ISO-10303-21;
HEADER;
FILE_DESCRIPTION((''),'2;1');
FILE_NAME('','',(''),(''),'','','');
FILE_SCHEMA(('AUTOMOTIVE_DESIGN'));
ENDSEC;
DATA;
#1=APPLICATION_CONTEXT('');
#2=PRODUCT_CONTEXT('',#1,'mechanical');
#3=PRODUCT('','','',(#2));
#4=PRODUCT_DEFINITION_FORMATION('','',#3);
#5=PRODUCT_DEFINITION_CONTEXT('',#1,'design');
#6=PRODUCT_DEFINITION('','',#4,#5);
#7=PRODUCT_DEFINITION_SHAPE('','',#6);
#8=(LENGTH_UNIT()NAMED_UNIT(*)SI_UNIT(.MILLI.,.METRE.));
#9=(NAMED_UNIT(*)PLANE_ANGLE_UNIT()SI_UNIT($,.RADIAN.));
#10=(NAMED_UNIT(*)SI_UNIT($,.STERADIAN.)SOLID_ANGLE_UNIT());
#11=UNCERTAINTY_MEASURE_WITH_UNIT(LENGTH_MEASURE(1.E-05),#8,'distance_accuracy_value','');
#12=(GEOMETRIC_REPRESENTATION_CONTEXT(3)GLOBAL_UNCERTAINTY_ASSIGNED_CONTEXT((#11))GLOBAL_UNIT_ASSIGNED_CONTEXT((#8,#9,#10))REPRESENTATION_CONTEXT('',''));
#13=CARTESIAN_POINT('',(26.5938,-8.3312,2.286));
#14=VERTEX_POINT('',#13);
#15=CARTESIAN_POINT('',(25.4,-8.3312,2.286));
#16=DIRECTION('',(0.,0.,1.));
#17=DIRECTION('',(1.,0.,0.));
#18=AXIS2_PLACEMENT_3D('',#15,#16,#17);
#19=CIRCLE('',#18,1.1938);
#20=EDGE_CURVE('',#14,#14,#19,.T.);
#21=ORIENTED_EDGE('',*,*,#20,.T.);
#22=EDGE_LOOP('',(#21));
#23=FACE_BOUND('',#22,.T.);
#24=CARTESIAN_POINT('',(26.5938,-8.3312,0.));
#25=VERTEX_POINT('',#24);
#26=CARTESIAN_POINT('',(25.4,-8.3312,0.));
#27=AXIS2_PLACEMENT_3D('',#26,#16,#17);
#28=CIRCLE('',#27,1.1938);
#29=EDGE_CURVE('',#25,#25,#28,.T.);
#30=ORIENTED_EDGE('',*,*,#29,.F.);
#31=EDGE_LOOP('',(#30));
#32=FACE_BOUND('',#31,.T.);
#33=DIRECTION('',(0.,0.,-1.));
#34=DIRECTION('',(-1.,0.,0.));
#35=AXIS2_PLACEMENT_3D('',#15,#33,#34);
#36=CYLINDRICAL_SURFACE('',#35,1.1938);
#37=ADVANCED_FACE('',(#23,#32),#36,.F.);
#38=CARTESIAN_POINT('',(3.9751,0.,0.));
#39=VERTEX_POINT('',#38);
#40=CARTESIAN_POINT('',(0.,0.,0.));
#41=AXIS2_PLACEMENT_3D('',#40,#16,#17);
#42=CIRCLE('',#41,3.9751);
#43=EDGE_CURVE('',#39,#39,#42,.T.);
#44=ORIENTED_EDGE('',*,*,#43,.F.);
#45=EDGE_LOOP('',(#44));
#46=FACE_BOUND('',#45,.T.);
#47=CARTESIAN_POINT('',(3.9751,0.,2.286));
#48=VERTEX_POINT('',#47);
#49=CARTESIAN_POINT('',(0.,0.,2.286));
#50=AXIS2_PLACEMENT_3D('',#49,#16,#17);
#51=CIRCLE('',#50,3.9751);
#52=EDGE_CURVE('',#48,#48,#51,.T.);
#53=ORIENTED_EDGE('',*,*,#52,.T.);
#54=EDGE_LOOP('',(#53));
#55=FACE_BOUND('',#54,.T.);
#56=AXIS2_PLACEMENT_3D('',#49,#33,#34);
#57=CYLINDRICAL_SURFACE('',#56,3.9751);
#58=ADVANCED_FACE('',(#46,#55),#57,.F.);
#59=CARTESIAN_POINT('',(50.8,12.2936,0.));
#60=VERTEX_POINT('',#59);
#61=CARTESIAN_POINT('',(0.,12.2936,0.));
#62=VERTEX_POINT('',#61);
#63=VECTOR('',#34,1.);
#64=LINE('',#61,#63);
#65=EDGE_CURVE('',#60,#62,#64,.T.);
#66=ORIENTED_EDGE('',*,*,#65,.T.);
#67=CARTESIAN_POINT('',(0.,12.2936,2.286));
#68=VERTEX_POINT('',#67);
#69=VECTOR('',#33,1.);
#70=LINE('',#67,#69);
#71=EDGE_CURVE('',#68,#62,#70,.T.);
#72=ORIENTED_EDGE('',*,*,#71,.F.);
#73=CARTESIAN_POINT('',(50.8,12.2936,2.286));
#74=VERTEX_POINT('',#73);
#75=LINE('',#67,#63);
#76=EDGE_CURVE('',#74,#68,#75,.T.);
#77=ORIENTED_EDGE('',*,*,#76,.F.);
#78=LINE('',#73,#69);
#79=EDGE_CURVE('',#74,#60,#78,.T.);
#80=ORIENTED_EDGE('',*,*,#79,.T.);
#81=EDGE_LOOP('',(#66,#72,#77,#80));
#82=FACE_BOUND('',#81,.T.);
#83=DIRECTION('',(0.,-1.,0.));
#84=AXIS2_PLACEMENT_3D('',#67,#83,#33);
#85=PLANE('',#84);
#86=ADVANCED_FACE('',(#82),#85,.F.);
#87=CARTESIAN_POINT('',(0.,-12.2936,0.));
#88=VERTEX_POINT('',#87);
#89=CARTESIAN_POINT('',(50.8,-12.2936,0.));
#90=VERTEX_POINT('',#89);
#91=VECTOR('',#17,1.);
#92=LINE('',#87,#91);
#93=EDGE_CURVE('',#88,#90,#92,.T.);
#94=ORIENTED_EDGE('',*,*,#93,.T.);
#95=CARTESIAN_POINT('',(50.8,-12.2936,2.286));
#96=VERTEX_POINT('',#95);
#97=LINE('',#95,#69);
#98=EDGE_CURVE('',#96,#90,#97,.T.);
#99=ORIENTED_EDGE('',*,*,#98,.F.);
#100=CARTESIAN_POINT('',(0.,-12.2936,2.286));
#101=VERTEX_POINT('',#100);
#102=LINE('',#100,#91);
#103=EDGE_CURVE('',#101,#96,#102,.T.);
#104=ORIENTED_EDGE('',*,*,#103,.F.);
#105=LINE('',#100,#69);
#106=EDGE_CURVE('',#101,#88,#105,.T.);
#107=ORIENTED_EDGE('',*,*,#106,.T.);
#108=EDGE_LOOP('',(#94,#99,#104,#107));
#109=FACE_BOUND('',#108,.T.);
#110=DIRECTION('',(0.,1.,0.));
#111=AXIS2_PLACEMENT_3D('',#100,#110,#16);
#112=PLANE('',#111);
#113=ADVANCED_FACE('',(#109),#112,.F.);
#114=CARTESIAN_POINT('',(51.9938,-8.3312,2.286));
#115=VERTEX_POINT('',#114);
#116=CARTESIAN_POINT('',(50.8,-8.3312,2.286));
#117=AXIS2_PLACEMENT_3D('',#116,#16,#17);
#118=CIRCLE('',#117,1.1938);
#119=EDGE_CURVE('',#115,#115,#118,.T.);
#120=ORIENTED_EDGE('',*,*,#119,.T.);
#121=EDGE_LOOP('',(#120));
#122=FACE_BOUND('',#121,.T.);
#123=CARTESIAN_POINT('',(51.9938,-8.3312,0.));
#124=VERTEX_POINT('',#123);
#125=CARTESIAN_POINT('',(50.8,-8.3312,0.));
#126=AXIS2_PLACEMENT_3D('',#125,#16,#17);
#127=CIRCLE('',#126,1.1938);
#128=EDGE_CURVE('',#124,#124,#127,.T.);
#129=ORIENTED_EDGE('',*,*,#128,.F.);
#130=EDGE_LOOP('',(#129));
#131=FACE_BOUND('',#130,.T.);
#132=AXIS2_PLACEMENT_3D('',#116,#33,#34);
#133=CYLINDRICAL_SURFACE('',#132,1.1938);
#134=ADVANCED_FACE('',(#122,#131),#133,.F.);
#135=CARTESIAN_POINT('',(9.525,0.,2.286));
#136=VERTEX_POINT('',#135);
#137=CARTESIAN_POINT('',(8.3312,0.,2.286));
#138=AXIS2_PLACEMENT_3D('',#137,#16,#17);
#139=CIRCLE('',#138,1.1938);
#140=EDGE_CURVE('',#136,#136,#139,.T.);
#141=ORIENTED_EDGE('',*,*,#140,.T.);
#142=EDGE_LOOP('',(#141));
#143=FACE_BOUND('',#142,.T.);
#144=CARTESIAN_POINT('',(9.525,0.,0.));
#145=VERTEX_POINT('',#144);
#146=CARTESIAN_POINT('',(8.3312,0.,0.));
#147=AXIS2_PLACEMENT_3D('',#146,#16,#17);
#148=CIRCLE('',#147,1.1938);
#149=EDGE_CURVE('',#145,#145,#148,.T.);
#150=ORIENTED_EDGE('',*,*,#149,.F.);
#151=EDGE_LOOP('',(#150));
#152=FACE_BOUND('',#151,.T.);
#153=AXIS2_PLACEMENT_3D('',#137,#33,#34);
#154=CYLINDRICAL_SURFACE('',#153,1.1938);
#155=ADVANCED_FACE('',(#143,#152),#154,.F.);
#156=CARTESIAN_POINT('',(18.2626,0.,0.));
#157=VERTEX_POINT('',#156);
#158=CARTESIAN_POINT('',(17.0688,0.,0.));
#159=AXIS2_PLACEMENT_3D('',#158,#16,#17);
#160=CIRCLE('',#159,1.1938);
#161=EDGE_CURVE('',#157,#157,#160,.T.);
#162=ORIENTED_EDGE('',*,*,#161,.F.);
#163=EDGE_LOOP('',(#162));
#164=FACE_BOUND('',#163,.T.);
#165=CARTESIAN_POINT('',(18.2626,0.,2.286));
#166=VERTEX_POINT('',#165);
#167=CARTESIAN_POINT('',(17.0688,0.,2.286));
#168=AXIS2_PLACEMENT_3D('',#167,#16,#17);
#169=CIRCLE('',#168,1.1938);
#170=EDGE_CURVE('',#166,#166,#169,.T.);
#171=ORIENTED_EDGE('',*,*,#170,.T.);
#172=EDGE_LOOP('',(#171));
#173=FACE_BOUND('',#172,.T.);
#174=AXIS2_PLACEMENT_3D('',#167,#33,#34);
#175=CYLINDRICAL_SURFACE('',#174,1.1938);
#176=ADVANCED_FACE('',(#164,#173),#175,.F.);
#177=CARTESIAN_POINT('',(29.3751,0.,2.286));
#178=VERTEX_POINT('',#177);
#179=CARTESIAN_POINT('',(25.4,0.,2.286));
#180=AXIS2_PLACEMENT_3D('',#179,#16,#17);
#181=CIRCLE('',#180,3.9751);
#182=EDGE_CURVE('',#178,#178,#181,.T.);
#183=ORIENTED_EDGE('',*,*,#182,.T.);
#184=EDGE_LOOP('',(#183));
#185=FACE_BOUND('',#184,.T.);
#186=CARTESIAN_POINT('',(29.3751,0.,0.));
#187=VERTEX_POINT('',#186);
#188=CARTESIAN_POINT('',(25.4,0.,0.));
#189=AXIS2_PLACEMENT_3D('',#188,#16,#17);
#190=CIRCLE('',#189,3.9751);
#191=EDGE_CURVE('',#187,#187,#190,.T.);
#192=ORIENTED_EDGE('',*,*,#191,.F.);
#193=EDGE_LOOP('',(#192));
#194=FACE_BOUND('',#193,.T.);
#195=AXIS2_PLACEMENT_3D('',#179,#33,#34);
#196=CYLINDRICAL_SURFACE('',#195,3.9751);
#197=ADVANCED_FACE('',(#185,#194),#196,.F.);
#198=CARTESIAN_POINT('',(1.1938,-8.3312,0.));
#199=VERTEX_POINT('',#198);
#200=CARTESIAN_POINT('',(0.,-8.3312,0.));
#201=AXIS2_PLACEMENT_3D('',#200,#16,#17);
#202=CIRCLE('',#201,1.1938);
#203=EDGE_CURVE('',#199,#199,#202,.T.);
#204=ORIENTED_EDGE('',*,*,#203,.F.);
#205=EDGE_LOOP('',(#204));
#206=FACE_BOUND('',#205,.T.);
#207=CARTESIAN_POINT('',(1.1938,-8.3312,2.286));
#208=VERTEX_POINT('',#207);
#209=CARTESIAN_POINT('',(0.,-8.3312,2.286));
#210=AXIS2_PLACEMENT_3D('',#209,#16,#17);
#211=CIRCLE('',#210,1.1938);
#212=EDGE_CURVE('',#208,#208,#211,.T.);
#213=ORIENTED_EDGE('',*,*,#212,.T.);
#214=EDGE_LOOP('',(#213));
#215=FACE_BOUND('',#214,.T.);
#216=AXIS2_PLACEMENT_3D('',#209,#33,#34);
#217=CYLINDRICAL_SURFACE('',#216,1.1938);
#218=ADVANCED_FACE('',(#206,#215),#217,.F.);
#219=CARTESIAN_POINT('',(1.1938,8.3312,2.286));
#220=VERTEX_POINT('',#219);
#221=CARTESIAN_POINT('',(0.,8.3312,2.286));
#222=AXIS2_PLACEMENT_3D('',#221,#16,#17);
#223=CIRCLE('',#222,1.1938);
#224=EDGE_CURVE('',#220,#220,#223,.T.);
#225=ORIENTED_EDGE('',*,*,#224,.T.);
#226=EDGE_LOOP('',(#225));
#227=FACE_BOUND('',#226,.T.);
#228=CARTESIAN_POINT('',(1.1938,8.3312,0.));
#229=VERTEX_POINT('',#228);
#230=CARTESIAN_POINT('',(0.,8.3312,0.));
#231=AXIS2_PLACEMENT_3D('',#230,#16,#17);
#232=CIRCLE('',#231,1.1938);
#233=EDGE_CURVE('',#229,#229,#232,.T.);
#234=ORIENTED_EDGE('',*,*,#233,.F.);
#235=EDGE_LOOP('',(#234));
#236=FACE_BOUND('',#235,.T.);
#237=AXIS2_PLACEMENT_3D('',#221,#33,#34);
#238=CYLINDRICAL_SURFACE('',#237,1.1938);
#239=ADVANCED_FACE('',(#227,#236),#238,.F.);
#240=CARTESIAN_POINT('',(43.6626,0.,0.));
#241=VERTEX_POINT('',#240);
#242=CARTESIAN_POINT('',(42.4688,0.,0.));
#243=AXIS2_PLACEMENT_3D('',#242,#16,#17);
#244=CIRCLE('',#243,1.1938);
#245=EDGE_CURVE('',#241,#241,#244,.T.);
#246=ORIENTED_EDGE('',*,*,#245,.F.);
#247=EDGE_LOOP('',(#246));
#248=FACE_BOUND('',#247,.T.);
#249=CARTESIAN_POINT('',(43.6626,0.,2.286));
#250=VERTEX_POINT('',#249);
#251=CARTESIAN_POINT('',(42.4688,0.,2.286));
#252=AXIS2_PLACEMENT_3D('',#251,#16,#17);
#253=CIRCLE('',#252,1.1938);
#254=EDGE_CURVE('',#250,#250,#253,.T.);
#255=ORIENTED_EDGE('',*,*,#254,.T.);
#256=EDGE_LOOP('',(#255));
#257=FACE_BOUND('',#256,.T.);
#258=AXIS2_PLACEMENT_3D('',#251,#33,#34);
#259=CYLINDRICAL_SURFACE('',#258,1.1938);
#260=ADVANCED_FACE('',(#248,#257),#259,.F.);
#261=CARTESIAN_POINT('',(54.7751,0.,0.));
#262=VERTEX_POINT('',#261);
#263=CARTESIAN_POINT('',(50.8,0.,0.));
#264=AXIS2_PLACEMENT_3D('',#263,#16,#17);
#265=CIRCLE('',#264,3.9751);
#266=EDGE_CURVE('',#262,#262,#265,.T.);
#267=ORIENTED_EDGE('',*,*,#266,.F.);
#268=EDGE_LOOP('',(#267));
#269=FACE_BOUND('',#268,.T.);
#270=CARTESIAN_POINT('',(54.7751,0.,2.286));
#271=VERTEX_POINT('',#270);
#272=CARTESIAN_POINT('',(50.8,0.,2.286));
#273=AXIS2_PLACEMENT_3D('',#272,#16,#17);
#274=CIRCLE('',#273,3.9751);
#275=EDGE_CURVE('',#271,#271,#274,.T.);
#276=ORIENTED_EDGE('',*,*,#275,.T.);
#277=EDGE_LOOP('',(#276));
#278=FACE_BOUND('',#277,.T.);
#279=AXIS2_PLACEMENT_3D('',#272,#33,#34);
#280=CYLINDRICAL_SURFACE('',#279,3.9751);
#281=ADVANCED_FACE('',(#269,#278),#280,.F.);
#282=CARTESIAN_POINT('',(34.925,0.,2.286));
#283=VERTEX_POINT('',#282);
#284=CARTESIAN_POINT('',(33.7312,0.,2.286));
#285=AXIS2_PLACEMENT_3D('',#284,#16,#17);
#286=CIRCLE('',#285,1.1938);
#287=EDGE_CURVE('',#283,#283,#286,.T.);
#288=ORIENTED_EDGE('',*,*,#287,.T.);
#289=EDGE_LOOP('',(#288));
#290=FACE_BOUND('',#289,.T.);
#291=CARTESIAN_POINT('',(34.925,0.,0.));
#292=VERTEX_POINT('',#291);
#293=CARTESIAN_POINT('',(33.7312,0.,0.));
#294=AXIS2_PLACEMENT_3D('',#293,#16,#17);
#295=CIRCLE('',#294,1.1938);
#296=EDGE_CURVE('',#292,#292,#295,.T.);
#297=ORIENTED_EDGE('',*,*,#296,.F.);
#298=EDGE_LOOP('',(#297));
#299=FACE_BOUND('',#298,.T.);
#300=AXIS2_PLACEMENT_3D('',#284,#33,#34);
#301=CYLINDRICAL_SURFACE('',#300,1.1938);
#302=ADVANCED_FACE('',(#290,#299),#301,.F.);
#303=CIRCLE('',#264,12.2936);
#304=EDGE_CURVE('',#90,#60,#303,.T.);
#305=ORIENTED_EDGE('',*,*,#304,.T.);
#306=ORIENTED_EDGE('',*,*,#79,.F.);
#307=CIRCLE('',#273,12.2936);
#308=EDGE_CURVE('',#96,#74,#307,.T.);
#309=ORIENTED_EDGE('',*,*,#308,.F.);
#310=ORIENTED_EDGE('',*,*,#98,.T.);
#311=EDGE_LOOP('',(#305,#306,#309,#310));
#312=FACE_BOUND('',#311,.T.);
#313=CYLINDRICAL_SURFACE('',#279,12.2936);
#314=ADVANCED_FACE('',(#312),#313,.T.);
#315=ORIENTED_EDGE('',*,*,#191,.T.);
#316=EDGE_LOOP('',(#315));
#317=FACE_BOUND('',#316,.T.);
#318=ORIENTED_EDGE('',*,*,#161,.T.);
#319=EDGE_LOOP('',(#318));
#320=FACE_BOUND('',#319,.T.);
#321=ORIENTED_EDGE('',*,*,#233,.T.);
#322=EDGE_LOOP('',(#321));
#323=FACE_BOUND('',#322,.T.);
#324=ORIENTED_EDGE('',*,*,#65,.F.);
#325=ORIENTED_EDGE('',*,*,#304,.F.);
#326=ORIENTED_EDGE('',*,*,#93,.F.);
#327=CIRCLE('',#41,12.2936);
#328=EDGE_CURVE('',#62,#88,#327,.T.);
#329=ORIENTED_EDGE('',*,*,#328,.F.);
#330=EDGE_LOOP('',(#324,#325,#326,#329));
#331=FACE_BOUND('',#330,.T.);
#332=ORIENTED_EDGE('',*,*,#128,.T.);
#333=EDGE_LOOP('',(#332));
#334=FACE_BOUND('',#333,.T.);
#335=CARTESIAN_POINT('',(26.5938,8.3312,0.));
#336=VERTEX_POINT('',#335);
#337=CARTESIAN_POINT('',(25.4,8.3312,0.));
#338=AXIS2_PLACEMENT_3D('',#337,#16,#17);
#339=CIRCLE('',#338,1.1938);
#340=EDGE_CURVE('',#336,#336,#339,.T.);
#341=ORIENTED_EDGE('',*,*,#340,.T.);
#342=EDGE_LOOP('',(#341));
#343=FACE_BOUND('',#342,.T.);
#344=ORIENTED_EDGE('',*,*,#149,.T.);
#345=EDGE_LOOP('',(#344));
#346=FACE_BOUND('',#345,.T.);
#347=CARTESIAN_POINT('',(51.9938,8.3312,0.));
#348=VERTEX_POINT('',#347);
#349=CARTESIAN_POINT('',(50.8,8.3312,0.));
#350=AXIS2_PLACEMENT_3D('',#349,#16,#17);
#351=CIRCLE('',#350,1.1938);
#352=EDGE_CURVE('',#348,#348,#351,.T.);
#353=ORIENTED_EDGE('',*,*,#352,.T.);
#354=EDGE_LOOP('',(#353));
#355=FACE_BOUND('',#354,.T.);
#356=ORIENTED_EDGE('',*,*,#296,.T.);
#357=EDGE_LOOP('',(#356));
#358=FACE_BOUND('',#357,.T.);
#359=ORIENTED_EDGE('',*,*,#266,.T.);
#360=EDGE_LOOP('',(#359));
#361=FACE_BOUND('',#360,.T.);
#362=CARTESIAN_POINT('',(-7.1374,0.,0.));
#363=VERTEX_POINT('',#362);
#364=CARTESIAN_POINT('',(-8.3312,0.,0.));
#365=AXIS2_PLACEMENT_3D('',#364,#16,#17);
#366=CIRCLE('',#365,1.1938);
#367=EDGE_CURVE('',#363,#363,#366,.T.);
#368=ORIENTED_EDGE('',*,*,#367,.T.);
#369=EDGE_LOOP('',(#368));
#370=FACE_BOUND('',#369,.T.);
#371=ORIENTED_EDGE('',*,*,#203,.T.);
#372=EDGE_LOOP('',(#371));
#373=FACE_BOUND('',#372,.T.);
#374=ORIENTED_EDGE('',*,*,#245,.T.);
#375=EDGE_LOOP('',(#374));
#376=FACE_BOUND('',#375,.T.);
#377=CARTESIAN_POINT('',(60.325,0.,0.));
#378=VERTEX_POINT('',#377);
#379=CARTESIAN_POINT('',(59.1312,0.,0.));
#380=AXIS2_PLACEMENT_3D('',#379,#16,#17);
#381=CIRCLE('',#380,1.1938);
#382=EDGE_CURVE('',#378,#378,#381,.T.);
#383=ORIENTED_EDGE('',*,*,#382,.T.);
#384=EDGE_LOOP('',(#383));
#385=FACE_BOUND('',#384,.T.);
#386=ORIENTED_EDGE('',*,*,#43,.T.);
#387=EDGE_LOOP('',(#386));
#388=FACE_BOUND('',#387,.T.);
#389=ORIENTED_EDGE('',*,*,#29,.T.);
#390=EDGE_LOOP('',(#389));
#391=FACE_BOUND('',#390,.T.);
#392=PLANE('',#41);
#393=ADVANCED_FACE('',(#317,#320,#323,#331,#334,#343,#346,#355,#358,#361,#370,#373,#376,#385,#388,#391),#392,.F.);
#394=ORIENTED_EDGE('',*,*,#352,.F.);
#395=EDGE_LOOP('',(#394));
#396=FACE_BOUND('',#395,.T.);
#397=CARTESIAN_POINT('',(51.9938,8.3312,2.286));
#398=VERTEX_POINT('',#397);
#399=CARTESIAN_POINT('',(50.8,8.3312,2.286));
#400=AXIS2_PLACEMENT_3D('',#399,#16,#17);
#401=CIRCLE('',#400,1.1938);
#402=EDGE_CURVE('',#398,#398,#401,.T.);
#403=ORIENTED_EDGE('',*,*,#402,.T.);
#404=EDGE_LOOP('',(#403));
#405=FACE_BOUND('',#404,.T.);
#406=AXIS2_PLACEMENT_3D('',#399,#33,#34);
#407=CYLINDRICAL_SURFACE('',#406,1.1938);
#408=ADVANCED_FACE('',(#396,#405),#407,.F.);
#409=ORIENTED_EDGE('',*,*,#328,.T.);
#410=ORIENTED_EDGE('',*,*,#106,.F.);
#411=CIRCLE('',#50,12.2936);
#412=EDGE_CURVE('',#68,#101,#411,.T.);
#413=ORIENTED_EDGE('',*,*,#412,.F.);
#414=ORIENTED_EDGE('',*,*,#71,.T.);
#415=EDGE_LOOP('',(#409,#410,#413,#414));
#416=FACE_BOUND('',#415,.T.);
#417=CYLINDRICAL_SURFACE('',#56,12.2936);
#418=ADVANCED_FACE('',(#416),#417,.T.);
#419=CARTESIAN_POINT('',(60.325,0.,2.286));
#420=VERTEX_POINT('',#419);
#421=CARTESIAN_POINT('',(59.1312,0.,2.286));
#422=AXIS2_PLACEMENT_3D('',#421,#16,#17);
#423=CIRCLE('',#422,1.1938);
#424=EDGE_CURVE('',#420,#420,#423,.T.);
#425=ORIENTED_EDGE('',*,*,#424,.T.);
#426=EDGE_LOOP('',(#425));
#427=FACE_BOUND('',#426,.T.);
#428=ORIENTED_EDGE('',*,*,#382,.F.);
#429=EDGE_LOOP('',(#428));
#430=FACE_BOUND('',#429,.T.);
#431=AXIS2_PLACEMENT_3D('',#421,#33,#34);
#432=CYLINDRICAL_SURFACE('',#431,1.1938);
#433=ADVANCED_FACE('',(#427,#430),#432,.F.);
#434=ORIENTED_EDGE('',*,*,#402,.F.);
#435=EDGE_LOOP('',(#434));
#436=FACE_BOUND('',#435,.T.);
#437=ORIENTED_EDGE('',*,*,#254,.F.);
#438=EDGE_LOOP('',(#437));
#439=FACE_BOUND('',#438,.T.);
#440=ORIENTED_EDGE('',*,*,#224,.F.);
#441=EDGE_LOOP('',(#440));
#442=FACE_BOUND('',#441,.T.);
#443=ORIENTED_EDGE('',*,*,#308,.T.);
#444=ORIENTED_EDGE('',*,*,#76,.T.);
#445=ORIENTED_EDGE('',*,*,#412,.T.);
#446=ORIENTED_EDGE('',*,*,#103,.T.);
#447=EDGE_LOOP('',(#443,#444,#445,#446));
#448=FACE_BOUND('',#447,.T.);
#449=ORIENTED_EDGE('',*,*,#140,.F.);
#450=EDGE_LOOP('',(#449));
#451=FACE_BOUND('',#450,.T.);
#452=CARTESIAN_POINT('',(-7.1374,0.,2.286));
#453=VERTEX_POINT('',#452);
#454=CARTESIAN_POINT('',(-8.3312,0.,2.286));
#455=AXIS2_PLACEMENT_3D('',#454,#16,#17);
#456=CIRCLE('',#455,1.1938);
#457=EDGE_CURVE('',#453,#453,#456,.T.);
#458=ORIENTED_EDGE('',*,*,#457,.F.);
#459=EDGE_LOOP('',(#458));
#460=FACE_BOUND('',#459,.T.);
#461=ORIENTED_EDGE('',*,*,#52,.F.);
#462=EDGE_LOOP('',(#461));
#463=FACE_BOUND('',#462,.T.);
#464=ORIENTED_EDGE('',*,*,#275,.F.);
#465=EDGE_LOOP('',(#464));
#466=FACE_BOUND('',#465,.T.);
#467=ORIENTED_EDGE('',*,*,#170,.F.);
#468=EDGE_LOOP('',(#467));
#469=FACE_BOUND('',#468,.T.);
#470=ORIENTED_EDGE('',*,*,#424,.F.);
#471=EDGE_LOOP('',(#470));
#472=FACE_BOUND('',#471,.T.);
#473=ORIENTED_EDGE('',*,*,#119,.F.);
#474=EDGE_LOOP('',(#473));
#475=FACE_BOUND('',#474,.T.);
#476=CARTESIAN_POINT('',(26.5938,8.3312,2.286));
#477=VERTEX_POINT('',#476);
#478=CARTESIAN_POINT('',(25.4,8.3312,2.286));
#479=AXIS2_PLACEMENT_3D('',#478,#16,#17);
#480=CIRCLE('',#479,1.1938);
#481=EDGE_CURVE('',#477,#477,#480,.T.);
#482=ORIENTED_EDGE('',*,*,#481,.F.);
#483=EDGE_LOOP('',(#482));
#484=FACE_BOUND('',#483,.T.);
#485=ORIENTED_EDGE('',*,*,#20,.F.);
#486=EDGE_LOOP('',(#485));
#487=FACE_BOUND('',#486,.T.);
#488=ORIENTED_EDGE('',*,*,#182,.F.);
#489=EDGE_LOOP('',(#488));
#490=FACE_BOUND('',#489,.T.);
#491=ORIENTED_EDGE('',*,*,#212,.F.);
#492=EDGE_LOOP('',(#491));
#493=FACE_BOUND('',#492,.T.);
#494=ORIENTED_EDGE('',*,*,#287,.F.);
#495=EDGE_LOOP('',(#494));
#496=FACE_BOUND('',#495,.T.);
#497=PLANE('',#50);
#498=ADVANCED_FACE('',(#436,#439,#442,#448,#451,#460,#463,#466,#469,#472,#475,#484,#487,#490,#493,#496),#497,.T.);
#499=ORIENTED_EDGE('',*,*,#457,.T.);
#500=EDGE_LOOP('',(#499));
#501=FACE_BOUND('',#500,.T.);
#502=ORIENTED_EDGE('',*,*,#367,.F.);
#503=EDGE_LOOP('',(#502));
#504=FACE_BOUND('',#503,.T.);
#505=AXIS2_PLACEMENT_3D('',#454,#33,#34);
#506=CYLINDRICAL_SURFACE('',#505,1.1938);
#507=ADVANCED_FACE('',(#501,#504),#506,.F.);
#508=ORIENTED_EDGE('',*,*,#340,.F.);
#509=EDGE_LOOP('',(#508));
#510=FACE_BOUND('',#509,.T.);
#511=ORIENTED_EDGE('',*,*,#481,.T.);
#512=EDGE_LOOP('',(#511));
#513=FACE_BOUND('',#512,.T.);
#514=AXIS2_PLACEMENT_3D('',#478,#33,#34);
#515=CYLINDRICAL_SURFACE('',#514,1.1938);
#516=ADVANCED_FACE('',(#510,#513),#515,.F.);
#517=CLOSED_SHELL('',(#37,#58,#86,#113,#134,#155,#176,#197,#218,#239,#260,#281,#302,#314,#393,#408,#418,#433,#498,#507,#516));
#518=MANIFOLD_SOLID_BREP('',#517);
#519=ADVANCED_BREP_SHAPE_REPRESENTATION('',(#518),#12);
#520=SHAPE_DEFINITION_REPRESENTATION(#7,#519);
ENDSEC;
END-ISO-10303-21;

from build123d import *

# Parameters (mm, degrees)
SKETCH1_R      = 3.9751
SKETCH1_R_2    = 1.1938
EXTRUDE1_DEPTH = 2.286


with BuildPart() as part:
    # Sketch1 → Extrude1 (new body)
    with BuildSketch(Plane.XY):
        with BuildLine():
            Line((0, 12.2936), (50.8, 12.2936))
            ThreePointArc((50.8, 12.2936), (63.0936, 0), (50.8, -12.2936))
            Line((50.8, -12.2936), (0, -12.2936))
            ThreePointArc((0, -12.2936), (-12.2936, 0), (0, 12.2936))
        make_face()
        Circle(SKETCH1_R, mode=Mode.SUBTRACT)
        with Locations((0, 8.3312)):
            Circle(SKETCH1_R_2, mode=Mode.SUBTRACT)
        with Locations((8.3312, 0)):
            Circle(SKETCH1_R_2, mode=Mode.SUBTRACT)
        with Locations((0, -8.3312)):
            Circle(SKETCH1_R_2, mode=Mode.SUBTRACT)
        with Locations((-8.3312, 0)):
            Circle(SKETCH1_R_2, mode=Mode.SUBTRACT)
        with Locations((17.0688, 0)):
            Circle(SKETCH1_R_2, mode=Mode.SUBTRACT)
        with Locations((33.7312, 0)):
            Circle(SKETCH1_R_2, mode=Mode.SUBTRACT)
        with Locations((25.4, -8.3312)):
            Circle(SKETCH1_R_2, mode=Mode.SUBTRACT)
        with Locations((25.4, 0)):
            Circle(SKETCH1_R, mode=Mode.SUBTRACT)
        with Locations((25.4, 8.3312)):
            Circle(SKETCH1_R_2, mode=Mode.SUBTRACT)
        with Locations((42.4688, 0)):
            Circle(SKETCH1_R_2, mode=Mode.SUBTRACT)
        with Locations((50.8, -8.3312)):
            Circle(SKETCH1_R_2, mode=Mode.SUBTRACT)
        with Locations((59.1312, 0)):
            Circle(SKETCH1_R_2, mode=Mode.SUBTRACT)
        with Locations((50.8, 8.3312)):
            Circle(SKETCH1_R_2, mode=Mode.SUBTRACT)
        with Locations((50.8, 0)):
            Circle(SKETCH1_R, mode=Mode.SUBTRACT)
    extrude(amount=EXTRUDE1_DEPTH)


solid = part.part
